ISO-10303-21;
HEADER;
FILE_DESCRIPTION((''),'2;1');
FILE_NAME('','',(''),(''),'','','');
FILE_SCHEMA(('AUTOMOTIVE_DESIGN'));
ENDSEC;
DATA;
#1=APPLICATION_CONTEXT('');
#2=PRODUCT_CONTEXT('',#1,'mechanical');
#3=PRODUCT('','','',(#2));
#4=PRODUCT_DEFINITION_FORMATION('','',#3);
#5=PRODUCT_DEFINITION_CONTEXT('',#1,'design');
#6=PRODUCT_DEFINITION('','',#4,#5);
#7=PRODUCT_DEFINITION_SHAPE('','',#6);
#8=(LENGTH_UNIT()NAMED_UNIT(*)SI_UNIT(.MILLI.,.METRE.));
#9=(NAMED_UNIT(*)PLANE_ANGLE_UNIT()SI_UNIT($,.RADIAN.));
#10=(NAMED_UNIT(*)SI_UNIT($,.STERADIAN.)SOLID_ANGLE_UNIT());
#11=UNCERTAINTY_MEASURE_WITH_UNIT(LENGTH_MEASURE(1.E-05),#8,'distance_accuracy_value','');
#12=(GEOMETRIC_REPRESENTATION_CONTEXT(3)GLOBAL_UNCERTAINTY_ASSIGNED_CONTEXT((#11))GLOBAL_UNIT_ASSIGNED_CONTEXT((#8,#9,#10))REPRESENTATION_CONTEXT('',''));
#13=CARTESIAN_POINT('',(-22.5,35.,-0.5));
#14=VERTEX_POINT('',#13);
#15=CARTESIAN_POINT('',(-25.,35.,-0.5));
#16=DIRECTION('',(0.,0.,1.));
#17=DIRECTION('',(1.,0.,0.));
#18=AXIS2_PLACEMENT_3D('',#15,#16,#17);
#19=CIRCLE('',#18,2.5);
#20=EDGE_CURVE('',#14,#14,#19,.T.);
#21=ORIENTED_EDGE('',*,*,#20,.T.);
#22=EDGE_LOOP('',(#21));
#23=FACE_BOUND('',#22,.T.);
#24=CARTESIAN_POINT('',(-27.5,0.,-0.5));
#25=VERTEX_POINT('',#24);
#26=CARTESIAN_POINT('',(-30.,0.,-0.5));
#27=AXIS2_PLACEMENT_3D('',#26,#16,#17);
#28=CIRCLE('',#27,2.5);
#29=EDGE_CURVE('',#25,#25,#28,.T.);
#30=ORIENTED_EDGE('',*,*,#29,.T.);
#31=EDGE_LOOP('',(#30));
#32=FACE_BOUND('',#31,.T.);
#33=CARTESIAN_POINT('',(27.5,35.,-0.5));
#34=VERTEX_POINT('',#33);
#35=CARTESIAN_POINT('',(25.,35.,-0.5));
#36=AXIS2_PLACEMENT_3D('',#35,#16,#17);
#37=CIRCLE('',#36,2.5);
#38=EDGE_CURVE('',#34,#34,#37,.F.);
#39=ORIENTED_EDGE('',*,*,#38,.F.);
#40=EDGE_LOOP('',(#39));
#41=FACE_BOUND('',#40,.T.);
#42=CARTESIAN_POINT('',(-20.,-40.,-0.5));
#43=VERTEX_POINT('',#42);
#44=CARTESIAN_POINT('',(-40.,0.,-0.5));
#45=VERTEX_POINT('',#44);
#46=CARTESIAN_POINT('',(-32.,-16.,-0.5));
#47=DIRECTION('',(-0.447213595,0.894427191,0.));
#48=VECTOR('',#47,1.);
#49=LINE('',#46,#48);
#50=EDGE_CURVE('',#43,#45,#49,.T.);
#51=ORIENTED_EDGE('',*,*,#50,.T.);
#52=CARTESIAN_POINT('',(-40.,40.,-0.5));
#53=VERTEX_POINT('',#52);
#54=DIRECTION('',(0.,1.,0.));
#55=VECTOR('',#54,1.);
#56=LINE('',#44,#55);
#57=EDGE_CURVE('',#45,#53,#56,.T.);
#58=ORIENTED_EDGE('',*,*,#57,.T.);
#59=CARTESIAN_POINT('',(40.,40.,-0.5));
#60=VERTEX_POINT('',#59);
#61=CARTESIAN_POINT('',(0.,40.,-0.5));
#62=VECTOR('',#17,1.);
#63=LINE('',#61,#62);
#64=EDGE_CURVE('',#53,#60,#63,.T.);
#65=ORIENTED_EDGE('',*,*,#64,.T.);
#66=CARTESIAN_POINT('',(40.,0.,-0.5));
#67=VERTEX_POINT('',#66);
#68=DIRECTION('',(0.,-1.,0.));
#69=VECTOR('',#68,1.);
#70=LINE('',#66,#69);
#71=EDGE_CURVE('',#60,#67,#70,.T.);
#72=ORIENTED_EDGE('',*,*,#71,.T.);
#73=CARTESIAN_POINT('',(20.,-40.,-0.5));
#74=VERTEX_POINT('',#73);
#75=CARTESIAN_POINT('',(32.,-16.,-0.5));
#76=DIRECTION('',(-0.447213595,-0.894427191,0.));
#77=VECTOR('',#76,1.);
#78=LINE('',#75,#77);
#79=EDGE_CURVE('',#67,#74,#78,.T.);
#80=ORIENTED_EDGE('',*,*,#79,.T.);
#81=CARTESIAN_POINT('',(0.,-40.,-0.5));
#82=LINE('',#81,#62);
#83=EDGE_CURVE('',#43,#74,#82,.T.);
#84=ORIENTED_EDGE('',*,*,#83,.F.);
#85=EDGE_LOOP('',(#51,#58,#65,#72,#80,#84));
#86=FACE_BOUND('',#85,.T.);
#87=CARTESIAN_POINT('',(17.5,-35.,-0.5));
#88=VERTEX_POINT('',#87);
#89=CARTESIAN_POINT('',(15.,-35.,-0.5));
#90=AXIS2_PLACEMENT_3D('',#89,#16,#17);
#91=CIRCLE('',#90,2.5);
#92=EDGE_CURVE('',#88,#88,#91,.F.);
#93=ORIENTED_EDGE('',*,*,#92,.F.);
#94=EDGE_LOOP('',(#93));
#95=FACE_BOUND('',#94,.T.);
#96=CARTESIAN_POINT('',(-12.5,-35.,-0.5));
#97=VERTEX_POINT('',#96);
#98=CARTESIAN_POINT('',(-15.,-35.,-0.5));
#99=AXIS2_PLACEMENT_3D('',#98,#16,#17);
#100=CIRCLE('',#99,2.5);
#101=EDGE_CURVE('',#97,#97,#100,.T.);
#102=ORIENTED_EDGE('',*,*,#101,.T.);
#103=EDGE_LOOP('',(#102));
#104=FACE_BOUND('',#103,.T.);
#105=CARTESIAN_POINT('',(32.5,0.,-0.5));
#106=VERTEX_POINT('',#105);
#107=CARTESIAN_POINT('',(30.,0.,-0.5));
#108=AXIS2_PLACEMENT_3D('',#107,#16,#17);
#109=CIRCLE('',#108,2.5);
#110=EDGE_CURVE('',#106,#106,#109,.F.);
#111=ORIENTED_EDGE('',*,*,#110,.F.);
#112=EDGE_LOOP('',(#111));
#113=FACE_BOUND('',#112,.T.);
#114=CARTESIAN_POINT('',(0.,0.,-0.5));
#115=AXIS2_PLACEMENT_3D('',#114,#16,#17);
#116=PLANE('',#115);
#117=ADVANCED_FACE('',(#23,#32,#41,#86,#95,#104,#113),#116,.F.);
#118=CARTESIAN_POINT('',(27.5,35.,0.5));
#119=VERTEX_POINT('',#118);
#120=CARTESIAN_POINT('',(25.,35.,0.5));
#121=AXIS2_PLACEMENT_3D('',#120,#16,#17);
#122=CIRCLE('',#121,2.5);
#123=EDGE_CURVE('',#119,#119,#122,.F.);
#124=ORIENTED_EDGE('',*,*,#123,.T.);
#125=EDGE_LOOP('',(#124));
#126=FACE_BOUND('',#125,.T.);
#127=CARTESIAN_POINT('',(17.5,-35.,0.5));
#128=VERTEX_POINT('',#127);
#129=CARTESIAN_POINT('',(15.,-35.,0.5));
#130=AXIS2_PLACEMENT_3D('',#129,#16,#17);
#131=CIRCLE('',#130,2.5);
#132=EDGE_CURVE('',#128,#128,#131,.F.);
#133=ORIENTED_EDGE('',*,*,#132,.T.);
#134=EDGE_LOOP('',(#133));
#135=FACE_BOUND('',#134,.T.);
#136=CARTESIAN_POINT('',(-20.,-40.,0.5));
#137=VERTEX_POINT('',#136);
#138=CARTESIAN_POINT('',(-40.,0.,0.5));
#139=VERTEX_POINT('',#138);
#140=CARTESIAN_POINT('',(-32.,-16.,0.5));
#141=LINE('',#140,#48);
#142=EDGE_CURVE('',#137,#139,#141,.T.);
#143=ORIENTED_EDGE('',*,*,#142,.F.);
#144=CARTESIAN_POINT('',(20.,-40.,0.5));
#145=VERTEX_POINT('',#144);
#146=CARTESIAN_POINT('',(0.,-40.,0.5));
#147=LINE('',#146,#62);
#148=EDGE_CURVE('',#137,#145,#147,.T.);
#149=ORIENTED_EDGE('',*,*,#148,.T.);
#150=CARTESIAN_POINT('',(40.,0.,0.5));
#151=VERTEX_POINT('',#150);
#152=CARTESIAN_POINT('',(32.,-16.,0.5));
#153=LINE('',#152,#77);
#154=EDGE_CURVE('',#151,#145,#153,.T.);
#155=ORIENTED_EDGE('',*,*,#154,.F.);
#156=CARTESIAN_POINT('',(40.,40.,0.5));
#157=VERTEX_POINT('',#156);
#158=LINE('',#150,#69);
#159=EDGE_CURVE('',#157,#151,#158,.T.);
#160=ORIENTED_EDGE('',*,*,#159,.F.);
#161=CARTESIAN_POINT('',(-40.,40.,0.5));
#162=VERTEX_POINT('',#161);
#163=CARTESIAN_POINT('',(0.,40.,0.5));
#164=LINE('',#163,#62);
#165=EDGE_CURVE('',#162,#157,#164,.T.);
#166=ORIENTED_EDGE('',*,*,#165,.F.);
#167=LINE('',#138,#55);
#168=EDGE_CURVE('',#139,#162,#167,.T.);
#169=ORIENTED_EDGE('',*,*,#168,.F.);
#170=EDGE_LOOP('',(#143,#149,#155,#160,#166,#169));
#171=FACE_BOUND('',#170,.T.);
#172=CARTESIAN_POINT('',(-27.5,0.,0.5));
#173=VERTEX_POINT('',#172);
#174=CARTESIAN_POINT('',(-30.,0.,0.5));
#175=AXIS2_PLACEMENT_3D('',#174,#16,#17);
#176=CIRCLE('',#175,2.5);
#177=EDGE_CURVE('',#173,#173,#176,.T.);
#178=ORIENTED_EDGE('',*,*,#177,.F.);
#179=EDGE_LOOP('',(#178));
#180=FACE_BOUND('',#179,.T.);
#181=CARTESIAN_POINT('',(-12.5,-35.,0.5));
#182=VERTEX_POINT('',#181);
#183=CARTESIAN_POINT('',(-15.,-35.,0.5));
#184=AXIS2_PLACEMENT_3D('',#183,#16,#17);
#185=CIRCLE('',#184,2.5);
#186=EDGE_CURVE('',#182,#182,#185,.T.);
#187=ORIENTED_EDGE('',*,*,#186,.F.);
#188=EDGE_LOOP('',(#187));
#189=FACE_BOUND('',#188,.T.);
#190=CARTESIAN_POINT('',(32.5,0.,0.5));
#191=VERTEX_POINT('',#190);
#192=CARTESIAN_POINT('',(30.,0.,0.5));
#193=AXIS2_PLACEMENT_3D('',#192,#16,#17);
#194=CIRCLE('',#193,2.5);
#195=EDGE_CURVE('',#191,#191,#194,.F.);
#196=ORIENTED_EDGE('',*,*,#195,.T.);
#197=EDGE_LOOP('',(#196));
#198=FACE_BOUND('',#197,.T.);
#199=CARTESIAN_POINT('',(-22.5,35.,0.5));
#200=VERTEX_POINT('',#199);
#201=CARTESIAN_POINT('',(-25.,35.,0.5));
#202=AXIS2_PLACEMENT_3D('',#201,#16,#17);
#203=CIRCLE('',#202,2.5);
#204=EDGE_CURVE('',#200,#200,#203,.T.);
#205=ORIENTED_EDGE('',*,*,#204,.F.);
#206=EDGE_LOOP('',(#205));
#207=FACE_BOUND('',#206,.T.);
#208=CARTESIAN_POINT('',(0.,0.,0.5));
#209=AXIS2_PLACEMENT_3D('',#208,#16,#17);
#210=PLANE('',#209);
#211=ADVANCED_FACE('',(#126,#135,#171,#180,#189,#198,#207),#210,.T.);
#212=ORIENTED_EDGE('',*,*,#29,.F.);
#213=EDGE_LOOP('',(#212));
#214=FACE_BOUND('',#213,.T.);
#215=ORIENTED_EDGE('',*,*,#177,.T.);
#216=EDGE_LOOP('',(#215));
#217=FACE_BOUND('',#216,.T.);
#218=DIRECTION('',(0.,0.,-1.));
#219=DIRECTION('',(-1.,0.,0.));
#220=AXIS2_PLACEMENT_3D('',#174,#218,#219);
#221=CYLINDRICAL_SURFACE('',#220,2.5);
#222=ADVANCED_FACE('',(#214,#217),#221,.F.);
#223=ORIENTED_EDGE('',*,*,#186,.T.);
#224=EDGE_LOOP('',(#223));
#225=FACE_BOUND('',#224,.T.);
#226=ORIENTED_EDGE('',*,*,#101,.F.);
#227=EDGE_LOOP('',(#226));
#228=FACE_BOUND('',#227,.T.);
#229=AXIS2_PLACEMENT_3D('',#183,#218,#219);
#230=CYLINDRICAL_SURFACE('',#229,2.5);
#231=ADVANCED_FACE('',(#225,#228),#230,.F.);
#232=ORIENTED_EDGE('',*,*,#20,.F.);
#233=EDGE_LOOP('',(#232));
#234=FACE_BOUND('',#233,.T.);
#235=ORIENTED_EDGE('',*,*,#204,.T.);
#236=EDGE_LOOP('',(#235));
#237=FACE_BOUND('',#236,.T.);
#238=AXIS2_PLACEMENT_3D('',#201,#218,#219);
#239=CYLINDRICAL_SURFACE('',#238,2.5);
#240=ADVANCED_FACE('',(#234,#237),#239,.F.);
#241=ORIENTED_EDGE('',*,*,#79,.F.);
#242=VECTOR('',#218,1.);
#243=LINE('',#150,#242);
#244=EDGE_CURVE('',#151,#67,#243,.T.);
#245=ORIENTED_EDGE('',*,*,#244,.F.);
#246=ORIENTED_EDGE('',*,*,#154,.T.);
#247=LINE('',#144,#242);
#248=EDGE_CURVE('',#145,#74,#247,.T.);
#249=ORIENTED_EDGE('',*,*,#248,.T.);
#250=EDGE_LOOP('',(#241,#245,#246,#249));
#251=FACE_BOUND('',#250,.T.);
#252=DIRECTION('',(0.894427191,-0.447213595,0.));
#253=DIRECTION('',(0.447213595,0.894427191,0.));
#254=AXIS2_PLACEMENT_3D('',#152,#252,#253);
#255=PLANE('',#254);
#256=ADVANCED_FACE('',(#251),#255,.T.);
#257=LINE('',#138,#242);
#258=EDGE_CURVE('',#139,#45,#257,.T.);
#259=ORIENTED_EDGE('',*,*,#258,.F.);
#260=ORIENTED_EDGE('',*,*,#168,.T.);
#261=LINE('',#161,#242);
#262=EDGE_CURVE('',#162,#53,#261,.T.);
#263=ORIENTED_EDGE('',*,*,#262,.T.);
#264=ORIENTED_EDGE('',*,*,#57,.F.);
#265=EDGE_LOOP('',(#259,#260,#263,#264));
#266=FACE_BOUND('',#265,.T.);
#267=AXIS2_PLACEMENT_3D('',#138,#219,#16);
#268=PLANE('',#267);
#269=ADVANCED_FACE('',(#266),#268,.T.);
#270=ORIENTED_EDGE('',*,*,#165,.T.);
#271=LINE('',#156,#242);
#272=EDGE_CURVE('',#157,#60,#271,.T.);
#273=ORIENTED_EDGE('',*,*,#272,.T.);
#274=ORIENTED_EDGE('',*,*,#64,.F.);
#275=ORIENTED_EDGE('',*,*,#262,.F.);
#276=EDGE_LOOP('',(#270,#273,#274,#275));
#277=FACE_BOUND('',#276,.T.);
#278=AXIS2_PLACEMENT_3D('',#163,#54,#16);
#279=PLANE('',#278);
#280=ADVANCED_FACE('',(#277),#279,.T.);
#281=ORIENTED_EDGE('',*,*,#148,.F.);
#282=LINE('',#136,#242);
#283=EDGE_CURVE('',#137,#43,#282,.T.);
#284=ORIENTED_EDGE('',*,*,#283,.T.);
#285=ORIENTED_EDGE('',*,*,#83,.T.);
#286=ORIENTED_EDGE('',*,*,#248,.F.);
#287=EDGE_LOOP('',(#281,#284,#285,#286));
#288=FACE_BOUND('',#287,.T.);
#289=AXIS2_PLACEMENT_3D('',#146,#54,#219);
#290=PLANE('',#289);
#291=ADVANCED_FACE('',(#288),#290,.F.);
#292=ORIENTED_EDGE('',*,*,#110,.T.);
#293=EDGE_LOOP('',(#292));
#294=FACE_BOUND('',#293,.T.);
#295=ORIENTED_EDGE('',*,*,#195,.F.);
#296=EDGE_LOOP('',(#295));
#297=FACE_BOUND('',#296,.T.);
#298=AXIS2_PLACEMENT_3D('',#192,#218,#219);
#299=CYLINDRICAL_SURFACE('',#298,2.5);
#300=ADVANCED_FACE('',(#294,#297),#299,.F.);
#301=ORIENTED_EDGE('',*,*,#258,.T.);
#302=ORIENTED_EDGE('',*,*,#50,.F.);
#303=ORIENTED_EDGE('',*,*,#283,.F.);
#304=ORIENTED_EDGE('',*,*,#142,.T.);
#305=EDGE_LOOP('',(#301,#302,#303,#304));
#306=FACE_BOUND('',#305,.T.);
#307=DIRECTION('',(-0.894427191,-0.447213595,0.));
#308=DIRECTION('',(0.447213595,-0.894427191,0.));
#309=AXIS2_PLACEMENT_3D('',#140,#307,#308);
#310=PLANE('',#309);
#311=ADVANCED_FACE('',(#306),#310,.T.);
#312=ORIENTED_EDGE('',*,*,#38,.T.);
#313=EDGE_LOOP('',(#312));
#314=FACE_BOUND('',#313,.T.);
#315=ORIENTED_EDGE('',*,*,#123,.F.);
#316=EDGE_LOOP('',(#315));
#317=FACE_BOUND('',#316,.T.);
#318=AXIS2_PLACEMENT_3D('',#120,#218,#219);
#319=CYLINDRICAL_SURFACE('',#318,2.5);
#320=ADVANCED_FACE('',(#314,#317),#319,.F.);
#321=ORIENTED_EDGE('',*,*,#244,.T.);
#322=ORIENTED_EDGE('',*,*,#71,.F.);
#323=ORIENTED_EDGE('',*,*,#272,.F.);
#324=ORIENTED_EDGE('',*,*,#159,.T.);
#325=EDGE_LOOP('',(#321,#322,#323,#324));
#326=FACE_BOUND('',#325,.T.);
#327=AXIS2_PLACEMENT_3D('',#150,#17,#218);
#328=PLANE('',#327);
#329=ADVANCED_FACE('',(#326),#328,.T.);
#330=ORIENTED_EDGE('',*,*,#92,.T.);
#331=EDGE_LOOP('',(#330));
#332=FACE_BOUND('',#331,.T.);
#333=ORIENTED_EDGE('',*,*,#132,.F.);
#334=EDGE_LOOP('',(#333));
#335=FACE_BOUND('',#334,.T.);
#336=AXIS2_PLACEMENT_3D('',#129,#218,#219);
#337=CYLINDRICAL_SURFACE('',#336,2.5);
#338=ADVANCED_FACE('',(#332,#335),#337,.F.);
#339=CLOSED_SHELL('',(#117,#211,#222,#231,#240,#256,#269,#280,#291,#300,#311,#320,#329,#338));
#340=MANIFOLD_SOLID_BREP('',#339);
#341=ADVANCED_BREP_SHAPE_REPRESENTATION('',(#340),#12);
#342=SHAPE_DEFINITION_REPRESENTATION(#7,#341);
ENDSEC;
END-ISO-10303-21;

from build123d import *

# Parameters (mm, degrees)
SKETCH1_R           = 2.5
BOSS_EXTRUDE1_DEPTH = 0.5


with BuildPart() as part:
    # Sketch1 → Boss-Extrude1 (new, symmetric)
    # profile 1 of 2: a face of its own
    with BuildSketch(Plane.XY):
        Polygon((0, 40), (0, -40), (20, -40), (40, 0), (40, 40), align=None)
        with Locations((15, -35)):
            Circle(SKETCH1_R, mode=Mode.SUBTRACT)
        with Locations((30, 0)):
            Circle(SKETCH1_R, mode=Mode.SUBTRACT)
        with Locations((25, 35)):
            Circle(SKETCH1_R, mode=Mode.SUBTRACT)
    # profile 2 of 2: a face of its own
    with BuildSketch(Plane.XY):
        Polygon((-20, -40), (0, -40), (0, 40), (-40, 40), (-40, 0), align=None)
        with Locations((-15, -35)):
            Circle(SKETCH1_R, mode=Mode.SUBTRACT)
        with Locations((-30, 0)):
            Circle(SKETCH1_R, mode=Mode.SUBTRACT)
        with Locations((-25, 35)):
            Circle(SKETCH1_R, mode=Mode.SUBTRACT)
    extrude(amount=BOSS_EXTRUDE1_DEPTH, both=True)


solid = part.part
